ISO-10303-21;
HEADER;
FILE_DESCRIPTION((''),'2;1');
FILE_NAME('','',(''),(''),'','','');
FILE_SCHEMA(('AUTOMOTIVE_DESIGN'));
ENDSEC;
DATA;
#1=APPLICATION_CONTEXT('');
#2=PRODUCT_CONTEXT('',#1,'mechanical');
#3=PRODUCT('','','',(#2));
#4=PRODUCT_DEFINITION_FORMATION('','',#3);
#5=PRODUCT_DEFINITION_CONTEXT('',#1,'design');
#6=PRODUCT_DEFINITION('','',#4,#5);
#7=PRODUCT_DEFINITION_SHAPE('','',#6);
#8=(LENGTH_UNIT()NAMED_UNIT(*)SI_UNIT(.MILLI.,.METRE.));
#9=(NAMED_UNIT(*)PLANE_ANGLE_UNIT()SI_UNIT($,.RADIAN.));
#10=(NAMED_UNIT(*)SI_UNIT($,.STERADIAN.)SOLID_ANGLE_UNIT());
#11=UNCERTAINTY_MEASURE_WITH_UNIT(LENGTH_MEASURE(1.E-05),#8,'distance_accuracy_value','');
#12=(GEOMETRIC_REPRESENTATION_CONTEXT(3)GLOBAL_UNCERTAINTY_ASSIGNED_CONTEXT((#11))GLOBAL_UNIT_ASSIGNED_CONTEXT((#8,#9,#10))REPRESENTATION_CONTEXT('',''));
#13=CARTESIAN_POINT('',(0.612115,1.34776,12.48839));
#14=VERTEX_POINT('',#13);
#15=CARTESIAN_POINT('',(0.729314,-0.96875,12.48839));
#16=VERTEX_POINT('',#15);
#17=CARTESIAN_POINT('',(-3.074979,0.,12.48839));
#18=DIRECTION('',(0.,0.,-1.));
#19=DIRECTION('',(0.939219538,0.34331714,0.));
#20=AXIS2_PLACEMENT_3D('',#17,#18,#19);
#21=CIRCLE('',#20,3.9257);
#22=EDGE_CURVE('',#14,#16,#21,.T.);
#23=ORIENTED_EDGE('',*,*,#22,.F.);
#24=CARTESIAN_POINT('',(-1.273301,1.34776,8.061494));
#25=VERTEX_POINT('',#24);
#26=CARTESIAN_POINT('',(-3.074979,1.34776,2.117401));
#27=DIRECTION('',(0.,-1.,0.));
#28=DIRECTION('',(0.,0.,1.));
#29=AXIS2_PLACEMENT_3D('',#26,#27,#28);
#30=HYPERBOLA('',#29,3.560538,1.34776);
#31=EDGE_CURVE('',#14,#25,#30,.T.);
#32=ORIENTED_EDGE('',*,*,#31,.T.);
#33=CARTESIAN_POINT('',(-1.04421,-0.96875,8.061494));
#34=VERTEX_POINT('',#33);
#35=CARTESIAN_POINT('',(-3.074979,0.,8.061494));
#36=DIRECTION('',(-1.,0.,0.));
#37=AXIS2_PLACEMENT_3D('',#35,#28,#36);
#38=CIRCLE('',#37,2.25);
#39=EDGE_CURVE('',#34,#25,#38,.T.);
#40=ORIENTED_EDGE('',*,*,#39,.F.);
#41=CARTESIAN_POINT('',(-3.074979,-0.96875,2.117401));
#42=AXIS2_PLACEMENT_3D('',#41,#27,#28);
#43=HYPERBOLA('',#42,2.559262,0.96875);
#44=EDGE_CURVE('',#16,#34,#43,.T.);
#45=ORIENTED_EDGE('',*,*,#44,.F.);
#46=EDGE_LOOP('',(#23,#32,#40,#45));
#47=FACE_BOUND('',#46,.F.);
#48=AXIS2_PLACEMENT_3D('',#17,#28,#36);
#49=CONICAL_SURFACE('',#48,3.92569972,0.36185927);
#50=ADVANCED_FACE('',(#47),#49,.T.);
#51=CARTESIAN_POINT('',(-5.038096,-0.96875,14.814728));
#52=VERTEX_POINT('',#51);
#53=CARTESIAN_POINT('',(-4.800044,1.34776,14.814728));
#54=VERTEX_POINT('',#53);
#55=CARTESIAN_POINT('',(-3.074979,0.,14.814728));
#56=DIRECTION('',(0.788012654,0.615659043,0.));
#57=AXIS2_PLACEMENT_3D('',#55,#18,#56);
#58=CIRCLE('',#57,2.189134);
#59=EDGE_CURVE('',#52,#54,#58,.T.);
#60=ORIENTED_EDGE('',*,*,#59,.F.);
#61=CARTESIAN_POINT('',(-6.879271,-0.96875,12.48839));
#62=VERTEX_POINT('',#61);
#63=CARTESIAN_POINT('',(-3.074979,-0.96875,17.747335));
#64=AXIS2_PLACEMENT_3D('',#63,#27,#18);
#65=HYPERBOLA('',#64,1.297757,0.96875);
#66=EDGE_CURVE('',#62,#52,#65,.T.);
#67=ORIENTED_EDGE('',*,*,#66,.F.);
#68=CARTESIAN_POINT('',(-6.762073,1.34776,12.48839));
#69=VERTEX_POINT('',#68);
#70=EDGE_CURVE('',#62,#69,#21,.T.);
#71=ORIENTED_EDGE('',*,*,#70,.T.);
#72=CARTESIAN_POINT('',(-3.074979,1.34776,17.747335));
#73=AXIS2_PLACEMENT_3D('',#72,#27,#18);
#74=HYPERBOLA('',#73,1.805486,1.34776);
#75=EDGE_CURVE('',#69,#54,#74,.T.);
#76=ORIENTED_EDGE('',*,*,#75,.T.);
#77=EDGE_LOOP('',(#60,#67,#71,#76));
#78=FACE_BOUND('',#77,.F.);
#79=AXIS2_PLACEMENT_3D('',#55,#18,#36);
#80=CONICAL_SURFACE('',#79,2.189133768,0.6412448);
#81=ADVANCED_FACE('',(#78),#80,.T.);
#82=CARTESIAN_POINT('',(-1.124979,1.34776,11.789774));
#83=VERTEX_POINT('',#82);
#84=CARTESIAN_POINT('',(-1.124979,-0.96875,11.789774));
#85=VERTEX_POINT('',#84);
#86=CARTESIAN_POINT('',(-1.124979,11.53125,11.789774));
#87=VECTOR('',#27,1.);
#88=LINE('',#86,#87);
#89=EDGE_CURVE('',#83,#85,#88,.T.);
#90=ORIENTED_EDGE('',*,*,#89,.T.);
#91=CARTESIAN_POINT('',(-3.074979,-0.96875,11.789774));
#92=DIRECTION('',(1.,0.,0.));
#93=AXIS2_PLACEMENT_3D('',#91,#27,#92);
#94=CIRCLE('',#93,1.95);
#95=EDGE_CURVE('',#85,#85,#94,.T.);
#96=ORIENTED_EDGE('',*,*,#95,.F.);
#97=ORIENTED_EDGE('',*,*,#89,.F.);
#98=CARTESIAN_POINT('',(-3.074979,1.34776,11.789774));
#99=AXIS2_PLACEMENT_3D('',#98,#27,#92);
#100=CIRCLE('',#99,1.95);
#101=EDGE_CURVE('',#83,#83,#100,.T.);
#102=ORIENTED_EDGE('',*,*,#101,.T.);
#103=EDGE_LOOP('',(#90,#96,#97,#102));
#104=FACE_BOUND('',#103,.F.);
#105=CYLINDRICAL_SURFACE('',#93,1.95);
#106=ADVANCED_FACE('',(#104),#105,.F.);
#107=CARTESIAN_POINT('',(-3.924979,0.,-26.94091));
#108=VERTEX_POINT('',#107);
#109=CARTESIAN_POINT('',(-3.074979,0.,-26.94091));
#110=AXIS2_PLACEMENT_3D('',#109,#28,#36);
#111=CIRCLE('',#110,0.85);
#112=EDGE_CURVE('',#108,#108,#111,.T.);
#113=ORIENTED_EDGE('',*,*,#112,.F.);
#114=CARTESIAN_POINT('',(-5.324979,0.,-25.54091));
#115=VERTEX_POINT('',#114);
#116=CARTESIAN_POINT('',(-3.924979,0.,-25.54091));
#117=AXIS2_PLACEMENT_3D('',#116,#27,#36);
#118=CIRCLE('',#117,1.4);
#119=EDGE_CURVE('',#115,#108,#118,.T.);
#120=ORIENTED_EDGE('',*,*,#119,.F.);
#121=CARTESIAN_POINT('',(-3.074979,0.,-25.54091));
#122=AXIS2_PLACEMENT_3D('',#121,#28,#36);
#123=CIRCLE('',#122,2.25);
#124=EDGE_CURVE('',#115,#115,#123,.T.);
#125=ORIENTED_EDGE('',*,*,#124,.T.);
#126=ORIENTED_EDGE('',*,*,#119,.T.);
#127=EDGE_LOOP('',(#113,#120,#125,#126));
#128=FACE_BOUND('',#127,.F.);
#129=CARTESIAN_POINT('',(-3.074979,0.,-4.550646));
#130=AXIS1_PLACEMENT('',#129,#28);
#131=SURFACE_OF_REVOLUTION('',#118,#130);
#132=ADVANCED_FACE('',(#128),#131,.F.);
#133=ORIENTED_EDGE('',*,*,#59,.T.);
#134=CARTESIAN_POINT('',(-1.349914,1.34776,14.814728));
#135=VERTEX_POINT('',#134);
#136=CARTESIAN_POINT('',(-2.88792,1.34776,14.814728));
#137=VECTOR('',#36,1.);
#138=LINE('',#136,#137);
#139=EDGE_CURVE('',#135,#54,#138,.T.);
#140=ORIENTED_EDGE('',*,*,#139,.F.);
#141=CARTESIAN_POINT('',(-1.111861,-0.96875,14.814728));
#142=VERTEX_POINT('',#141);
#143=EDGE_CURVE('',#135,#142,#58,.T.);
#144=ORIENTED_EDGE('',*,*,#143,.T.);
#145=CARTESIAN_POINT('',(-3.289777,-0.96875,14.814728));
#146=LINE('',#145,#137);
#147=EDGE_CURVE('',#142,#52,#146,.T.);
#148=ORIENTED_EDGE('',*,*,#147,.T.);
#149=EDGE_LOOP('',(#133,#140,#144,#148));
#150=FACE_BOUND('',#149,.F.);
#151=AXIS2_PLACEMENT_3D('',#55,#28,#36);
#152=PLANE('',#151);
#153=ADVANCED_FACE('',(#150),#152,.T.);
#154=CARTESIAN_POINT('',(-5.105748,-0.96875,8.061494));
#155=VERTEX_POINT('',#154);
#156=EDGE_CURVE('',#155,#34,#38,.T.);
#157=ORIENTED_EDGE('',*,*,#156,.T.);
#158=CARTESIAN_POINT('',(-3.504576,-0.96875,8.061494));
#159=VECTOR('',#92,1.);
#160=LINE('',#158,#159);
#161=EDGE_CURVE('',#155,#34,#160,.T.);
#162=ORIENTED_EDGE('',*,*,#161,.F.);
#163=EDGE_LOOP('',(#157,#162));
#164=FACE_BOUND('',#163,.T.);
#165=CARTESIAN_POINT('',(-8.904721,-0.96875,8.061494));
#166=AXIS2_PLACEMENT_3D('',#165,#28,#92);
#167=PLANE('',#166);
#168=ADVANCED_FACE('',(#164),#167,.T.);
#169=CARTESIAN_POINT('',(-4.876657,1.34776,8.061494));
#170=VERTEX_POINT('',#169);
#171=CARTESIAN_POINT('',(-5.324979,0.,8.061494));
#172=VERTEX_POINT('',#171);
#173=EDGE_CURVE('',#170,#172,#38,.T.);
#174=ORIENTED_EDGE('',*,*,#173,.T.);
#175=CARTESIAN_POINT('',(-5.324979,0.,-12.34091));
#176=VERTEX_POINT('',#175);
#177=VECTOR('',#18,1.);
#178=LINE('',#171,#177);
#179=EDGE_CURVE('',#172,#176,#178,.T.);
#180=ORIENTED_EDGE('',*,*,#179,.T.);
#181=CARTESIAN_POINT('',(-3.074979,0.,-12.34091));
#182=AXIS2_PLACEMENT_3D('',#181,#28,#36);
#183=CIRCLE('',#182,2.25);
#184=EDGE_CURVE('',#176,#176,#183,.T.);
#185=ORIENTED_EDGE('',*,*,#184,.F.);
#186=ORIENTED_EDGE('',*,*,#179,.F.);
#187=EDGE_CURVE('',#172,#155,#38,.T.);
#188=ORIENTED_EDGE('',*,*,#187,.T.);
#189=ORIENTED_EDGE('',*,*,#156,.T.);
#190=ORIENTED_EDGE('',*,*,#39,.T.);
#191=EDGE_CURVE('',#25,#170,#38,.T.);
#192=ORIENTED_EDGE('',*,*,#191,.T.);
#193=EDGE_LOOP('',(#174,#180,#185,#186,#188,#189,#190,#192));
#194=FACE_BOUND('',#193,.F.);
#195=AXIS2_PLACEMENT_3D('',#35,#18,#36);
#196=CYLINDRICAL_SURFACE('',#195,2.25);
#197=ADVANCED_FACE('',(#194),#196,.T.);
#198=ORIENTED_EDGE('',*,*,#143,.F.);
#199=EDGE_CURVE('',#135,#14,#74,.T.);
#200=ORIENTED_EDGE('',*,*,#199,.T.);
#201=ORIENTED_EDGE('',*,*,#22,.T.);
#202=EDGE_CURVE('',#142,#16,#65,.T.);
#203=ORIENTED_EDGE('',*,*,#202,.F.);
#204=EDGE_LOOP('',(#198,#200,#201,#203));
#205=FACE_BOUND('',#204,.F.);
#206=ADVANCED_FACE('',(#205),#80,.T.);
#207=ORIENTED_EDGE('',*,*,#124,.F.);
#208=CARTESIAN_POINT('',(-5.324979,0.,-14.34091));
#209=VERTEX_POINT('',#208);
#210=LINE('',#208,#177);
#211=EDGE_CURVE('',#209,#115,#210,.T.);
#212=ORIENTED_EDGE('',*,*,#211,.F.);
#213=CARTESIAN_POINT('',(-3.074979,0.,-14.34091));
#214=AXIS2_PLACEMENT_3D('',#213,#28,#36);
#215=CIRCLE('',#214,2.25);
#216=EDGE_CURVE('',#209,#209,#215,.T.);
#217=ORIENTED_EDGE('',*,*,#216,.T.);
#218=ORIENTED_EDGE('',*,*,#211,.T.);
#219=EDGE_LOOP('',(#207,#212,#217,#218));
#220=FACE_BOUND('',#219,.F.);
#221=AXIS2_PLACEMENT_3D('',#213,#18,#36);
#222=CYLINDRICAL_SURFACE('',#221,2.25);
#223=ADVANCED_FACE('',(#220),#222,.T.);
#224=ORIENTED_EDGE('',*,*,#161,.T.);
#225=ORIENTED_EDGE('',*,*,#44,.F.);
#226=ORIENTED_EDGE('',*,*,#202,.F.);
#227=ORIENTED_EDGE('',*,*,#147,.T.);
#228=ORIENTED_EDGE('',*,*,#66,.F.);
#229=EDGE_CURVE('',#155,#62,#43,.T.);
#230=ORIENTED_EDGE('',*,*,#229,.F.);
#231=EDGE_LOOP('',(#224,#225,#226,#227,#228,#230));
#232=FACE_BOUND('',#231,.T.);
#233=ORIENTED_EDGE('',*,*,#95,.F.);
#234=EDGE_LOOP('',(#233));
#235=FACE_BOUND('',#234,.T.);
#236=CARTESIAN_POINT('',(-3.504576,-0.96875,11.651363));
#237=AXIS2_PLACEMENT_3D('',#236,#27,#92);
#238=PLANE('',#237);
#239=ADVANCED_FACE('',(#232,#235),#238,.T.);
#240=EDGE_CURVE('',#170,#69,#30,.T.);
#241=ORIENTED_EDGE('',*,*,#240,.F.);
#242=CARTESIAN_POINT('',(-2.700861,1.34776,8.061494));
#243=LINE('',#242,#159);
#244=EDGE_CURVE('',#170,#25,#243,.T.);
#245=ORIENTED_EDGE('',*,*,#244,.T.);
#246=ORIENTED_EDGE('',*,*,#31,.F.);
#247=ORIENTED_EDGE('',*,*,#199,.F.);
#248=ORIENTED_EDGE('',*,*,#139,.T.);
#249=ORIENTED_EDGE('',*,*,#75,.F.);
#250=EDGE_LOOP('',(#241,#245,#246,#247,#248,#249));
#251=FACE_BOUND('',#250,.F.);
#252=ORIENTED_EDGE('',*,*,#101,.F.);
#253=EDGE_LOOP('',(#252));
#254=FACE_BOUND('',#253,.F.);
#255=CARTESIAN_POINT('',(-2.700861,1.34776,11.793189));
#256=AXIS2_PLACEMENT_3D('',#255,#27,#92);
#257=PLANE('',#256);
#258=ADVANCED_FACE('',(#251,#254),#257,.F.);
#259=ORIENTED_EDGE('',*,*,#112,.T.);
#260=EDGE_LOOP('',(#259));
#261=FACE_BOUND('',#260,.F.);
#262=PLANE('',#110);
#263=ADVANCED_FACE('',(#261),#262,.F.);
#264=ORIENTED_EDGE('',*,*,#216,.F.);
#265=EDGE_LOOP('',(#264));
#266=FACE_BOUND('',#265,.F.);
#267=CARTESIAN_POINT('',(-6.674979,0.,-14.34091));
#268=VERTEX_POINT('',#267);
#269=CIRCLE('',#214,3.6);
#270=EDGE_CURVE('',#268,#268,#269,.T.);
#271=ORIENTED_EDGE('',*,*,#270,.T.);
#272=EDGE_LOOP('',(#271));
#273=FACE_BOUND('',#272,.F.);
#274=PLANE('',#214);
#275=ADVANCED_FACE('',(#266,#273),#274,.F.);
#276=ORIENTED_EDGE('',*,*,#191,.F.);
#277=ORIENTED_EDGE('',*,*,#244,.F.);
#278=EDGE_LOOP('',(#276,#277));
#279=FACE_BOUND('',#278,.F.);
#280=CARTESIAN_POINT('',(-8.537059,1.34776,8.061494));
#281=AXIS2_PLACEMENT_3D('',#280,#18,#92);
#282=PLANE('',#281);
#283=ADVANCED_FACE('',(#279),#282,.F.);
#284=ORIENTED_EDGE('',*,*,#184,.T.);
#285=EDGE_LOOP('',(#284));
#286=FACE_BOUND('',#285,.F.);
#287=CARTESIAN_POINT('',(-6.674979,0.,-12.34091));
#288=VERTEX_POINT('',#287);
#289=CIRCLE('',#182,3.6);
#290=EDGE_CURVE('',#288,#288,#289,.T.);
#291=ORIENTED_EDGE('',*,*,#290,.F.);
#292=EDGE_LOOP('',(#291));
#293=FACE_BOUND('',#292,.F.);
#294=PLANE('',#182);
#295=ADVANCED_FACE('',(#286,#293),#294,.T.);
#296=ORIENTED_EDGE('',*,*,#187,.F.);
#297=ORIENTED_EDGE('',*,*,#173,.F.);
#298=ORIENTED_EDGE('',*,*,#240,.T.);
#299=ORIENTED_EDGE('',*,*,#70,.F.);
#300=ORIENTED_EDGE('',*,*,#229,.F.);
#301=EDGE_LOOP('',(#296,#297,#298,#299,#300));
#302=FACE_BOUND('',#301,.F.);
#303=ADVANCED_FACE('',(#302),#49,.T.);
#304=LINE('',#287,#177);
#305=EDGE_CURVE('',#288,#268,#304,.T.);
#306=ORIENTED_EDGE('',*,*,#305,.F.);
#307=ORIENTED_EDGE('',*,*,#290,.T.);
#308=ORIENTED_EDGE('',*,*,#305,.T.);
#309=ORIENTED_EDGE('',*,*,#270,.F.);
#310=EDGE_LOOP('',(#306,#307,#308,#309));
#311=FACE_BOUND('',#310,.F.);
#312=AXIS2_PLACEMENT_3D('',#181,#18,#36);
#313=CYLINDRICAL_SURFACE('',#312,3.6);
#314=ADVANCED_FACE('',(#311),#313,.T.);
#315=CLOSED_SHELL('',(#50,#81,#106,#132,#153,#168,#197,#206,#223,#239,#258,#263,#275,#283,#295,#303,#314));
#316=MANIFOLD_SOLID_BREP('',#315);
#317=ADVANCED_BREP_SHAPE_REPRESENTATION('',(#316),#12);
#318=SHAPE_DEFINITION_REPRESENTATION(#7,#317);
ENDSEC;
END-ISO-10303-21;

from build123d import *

# Parameters (mm, degrees)
F3_START = -1.34776
F2_W     = 11.6723957472
F2_H     = 7.4633890763
F3_DEPTH = 23.65224
F5_START = 0.96875
F4_W     = 10.800289805
F4_H     = 7.1797380224
F5_DEPTH = 7.09642
F6_R     = 1.95
F7_DEPTH = 12.5


with BuildPart() as f1:
    # F0 (on Front) → F1 (revolve)
    with BuildSketch(Plane.XZ):
        with BuildLine():
            Line((-7.0006786053, 12.4883897992), (-5.3249788856, 8.0614940048))
            Line((-5.3249788856, 8.0614940048), (-5.3249788856, -12.3409103399))
            Line((-5.3249788856, -12.3409103399), (-6.6749788856, -12.3409103399))
            Line((-6.6749788856, -12.3409103399), (-6.6749788856, -14.3409103399))
            Line((-6.6749788856, -14.3409103399), (-5.3249788856, -14.3409103399))
            Line((-5.3249788856, -14.3409103399), (-5.3249788856, -25.5409103399))
            ThreePointArc((-5.3249788856, -25.5409103399), (-4.9149283792, -26.5308598336), (-3.9249788856, -26.9409103399))
            Line((-3.9249788856, -26.9409103399), (-3.0749788856, -26.9409103399))
            Line((-3.0749788856, -26.9409103399), (-3.0749788856, 10.274941902))
            ThreePointArc((-3.0749788856, 10.274941902), (-4.5898110963, 11.7897741127), (-3.0749788856, 13.3046063234))
            Line((-3.0749788856, 13.3046063234), (-3.0749788856, 14.8147279002))
            Line((-3.0749788856, 14.8147279002), (-5.2641126534, 14.8147279002))
            Line((-5.2641126534, 14.8147279002), (-7.0006786053, 12.4883897992))
        make_face()
    revolve(axis=Axis((-3.0749788856, 0, -4.5506457565), (0, 0, 1)))

    # F2 (on Front) → F3 (cut)
    with BuildSketch(Plane.XZ.offset(F3_START)):
        with Locations((-2.7008608449, 11.793188543)):
            Rectangle(F2_W, F2_H)
    extrude(amount=-F3_DEPTH, mode=Mode.SUBTRACT)

    # F4 (on Front) → F5 (cut)
    with BuildSketch(Plane.XZ.offset(F5_START)):
        with Locations((-3.5045757541, 11.651363016)):
            Rectangle(F4_W, F4_H)
    extrude(amount=F5_DEPTH, mode=Mode.SUBTRACT)

    # F6 (on face) → F7 (cut, symmetric)
    with BuildSketch(Plane.XZ.offset(0.96875)):
        with Locations((-3.0749788856, 11.7897741127)):
            Circle(F6_R)
    extrude(amount=F7_DEPTH, both=True, mode=Mode.SUBTRACT)


solid = f1.part
